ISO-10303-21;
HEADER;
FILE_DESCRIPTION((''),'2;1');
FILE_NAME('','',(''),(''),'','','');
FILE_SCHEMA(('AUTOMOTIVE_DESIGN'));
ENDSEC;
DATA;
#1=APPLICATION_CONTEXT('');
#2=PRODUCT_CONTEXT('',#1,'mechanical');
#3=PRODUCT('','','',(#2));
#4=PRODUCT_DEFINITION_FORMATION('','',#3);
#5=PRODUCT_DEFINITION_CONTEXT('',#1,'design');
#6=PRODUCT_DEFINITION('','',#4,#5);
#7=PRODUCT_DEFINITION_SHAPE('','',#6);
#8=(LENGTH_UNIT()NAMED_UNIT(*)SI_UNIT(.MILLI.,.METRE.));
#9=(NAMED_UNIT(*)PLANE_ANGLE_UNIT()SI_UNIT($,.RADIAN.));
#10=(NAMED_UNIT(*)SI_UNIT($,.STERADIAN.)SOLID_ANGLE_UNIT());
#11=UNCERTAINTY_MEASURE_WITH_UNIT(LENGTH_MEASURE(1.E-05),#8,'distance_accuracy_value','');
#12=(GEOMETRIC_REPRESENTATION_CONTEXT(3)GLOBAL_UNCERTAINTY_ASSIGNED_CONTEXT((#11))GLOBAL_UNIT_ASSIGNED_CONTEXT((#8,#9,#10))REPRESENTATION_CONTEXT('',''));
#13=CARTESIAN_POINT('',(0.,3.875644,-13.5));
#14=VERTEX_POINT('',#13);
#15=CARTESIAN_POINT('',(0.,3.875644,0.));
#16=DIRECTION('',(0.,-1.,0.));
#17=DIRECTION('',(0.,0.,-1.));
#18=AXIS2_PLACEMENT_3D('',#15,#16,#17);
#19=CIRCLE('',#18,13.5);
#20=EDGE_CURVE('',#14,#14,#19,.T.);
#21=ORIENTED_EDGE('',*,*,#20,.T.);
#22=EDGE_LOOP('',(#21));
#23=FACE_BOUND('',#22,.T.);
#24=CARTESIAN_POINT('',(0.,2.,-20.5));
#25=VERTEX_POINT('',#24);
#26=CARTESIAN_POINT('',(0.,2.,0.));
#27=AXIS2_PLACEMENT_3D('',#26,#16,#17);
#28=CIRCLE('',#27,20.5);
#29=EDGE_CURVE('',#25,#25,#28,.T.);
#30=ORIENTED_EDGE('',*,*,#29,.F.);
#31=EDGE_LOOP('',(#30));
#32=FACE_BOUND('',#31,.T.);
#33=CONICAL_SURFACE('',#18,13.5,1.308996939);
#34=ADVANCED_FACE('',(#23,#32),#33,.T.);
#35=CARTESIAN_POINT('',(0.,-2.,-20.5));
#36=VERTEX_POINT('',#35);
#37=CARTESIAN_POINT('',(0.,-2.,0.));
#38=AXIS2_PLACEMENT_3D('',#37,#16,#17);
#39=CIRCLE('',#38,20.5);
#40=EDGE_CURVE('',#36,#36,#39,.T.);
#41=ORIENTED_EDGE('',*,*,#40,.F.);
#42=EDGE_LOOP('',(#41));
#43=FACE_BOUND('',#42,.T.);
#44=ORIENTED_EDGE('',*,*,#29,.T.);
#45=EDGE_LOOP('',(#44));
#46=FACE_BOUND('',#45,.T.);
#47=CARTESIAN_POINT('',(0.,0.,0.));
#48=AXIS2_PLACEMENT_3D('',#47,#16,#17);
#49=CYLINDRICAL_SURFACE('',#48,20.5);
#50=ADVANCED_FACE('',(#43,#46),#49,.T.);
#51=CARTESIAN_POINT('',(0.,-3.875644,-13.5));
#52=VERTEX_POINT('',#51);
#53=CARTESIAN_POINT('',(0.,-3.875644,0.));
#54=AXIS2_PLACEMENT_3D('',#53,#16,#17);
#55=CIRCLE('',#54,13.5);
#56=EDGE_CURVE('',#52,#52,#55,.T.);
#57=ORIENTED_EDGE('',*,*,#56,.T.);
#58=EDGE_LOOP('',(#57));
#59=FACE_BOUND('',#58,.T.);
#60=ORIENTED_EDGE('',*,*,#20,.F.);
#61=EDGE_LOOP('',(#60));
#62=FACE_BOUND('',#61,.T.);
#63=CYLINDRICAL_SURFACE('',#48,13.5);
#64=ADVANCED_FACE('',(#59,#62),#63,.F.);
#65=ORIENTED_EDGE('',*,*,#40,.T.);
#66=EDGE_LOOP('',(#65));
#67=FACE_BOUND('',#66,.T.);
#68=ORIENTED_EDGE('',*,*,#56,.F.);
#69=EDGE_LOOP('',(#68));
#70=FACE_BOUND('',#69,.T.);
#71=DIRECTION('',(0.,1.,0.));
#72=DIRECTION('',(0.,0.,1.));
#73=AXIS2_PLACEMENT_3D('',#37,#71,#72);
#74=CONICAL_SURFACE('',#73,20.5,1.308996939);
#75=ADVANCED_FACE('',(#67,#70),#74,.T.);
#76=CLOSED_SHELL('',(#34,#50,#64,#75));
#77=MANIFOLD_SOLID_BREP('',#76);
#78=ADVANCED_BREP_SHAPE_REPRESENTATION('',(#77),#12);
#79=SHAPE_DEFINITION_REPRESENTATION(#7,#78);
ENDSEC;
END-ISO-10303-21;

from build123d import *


with BuildPart() as part:
    # 草图1 → 旋转1 (revolve)
    with BuildSketch(Plane.XY, mode=Mode.PRIVATE) as revolve_1_sk:
        Polygon((-20.5, -2), (-20.5, 2), (-13.5, 3.875644347), (-13.5, -3.875644347), align=None)
    revolve(revolve_1_sk.sketch.rotate(Axis((0, 0, 0), (0, 1, 0)), 270), axis=Axis((0, 0, 0), (0, 1, 0)))


solid = part.part
